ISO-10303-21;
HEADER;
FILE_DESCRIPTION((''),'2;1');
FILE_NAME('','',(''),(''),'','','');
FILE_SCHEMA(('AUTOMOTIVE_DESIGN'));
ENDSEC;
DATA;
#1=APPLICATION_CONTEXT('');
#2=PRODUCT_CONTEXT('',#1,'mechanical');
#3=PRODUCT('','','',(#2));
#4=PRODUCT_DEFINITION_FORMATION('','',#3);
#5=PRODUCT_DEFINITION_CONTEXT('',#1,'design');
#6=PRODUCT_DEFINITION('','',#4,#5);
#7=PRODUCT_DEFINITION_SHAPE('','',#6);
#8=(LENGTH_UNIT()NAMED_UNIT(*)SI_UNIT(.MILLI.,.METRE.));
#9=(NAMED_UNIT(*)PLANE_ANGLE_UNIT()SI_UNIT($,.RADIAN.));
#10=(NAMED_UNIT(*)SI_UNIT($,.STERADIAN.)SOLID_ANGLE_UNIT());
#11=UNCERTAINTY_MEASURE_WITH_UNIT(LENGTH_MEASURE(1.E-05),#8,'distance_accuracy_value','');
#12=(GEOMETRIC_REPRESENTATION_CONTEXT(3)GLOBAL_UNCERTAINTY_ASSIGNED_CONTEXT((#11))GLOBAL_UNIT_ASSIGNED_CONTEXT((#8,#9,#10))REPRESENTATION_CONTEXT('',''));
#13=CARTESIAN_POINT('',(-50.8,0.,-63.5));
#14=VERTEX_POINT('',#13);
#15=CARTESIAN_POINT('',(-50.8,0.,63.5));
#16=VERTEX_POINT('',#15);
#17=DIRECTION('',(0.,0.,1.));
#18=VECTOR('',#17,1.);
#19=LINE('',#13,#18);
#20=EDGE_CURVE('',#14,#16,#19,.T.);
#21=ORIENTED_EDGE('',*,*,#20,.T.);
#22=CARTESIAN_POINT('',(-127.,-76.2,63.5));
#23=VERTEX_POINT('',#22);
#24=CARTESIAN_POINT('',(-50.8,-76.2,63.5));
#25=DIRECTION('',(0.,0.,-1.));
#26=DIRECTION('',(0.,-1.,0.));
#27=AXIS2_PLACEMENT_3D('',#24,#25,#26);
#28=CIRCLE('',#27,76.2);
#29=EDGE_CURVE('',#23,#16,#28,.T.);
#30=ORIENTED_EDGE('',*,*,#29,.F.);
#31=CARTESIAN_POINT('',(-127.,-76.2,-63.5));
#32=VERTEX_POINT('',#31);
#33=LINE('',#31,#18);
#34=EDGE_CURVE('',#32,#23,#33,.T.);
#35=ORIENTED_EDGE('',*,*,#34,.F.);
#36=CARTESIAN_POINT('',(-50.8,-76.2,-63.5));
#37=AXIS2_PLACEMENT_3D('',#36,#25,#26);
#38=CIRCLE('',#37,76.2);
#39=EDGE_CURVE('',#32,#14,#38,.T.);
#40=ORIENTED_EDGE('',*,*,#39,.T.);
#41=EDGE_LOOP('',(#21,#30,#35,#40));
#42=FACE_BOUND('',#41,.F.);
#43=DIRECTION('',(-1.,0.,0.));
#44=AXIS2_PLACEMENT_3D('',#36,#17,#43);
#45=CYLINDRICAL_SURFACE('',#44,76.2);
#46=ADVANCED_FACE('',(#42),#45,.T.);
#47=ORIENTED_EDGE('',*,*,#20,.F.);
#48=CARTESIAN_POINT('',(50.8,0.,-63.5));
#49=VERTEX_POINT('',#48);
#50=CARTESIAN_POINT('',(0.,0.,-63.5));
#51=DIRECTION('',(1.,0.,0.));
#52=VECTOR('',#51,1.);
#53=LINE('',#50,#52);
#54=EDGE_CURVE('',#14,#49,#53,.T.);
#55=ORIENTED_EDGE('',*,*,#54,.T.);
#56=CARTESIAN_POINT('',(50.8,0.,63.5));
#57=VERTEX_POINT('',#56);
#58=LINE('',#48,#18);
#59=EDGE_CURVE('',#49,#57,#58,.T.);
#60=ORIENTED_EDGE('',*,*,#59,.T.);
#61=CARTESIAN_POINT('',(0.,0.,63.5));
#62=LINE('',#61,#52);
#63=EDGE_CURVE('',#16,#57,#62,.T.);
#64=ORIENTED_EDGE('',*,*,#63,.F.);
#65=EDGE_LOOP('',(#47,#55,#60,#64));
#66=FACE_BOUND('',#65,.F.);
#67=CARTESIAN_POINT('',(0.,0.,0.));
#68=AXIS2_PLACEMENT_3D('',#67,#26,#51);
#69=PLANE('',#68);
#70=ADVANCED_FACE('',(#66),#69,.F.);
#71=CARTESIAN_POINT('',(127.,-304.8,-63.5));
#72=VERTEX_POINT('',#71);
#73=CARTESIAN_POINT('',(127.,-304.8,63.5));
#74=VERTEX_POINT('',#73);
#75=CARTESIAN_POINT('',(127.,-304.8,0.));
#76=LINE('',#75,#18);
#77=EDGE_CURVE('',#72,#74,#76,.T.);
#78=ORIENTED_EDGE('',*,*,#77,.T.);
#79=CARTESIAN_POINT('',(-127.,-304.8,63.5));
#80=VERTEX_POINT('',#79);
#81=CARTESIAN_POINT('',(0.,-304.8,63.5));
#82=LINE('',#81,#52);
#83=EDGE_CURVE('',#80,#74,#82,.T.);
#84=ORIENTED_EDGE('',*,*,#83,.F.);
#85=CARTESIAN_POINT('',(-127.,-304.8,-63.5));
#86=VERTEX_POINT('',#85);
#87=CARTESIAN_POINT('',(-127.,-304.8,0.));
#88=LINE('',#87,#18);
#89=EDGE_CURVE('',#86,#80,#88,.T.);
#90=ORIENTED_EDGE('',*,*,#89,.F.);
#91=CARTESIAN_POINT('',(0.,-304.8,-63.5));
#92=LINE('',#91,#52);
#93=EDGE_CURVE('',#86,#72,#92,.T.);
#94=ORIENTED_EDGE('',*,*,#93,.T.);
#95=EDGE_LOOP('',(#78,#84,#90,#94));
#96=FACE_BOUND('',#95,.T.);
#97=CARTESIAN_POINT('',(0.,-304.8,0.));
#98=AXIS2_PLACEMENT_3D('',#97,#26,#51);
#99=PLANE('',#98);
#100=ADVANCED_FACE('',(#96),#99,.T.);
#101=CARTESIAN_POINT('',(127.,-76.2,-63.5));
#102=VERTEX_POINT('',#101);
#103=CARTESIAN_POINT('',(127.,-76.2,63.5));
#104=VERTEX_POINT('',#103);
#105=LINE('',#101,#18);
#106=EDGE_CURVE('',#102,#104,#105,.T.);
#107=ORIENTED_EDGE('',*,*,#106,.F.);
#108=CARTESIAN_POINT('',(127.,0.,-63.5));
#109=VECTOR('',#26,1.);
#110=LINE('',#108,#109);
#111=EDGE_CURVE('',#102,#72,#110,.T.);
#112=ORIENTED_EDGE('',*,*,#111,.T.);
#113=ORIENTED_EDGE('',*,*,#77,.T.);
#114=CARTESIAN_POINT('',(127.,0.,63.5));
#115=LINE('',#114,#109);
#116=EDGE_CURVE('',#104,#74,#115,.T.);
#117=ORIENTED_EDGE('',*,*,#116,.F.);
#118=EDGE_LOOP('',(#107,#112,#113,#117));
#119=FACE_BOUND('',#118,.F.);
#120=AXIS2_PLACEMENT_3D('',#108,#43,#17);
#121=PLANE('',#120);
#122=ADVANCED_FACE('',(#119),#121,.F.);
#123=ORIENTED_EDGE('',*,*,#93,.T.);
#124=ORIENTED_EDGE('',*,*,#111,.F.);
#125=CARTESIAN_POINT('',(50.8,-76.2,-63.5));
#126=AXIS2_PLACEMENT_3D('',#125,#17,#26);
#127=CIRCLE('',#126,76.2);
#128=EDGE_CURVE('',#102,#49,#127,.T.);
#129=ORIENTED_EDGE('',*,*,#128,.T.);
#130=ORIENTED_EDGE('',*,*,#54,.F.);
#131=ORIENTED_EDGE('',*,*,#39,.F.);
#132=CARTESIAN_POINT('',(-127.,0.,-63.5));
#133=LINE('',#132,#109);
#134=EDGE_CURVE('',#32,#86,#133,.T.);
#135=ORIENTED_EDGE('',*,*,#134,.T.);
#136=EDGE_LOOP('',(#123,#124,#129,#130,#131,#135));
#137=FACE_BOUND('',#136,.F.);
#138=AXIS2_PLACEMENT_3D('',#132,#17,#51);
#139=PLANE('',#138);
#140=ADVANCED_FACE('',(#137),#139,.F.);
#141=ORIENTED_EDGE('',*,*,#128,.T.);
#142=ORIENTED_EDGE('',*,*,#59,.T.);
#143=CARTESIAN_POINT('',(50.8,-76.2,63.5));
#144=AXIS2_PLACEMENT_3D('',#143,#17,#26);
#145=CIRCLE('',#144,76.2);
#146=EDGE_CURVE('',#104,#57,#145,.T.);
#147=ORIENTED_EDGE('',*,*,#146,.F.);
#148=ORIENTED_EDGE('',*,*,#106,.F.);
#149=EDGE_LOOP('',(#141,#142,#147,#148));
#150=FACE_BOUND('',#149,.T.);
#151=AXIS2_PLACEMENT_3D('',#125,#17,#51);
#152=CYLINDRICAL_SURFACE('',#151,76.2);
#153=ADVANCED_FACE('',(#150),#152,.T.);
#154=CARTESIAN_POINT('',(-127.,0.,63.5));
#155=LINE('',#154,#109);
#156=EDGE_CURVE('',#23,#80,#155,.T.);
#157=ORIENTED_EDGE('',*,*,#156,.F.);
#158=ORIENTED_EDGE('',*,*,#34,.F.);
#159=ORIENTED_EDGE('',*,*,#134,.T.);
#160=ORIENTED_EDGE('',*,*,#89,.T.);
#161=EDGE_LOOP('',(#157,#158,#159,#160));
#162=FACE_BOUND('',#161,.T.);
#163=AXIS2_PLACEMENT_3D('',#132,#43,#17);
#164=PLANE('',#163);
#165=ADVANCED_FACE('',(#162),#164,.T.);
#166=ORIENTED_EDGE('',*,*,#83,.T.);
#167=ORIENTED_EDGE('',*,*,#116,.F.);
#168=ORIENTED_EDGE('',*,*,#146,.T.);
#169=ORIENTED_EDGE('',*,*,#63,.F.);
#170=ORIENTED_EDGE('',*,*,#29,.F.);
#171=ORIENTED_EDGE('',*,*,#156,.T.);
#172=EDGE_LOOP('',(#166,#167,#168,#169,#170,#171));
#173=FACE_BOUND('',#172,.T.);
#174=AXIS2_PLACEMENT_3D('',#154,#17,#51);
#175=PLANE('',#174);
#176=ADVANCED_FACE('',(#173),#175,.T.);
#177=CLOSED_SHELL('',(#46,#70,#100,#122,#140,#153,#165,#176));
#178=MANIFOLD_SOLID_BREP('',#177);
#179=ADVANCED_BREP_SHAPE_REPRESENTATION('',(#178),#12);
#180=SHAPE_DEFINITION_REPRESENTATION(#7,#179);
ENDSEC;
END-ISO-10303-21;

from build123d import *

# Parameters (mm, degrees)
F0_W     = 254
F0_H     = 127
F1_DEPTH = 304.8
F2_R     = 76.2


with BuildPart() as f1:
    # F0 (on Front) → F1 (new body)
    with BuildSketch(Plane.XZ):
        Rectangle(F0_W, F0_H)
    extrude(amount=F1_DEPTH)

    # F2
    f2_edges = [f1.edges().sort_by_distance(p)[0] for p in [
        (-127, 0, 0),
        (127, 0, 0),
    ]]
    fillet(f2_edges, radius=F2_R)


solid = f1.part
